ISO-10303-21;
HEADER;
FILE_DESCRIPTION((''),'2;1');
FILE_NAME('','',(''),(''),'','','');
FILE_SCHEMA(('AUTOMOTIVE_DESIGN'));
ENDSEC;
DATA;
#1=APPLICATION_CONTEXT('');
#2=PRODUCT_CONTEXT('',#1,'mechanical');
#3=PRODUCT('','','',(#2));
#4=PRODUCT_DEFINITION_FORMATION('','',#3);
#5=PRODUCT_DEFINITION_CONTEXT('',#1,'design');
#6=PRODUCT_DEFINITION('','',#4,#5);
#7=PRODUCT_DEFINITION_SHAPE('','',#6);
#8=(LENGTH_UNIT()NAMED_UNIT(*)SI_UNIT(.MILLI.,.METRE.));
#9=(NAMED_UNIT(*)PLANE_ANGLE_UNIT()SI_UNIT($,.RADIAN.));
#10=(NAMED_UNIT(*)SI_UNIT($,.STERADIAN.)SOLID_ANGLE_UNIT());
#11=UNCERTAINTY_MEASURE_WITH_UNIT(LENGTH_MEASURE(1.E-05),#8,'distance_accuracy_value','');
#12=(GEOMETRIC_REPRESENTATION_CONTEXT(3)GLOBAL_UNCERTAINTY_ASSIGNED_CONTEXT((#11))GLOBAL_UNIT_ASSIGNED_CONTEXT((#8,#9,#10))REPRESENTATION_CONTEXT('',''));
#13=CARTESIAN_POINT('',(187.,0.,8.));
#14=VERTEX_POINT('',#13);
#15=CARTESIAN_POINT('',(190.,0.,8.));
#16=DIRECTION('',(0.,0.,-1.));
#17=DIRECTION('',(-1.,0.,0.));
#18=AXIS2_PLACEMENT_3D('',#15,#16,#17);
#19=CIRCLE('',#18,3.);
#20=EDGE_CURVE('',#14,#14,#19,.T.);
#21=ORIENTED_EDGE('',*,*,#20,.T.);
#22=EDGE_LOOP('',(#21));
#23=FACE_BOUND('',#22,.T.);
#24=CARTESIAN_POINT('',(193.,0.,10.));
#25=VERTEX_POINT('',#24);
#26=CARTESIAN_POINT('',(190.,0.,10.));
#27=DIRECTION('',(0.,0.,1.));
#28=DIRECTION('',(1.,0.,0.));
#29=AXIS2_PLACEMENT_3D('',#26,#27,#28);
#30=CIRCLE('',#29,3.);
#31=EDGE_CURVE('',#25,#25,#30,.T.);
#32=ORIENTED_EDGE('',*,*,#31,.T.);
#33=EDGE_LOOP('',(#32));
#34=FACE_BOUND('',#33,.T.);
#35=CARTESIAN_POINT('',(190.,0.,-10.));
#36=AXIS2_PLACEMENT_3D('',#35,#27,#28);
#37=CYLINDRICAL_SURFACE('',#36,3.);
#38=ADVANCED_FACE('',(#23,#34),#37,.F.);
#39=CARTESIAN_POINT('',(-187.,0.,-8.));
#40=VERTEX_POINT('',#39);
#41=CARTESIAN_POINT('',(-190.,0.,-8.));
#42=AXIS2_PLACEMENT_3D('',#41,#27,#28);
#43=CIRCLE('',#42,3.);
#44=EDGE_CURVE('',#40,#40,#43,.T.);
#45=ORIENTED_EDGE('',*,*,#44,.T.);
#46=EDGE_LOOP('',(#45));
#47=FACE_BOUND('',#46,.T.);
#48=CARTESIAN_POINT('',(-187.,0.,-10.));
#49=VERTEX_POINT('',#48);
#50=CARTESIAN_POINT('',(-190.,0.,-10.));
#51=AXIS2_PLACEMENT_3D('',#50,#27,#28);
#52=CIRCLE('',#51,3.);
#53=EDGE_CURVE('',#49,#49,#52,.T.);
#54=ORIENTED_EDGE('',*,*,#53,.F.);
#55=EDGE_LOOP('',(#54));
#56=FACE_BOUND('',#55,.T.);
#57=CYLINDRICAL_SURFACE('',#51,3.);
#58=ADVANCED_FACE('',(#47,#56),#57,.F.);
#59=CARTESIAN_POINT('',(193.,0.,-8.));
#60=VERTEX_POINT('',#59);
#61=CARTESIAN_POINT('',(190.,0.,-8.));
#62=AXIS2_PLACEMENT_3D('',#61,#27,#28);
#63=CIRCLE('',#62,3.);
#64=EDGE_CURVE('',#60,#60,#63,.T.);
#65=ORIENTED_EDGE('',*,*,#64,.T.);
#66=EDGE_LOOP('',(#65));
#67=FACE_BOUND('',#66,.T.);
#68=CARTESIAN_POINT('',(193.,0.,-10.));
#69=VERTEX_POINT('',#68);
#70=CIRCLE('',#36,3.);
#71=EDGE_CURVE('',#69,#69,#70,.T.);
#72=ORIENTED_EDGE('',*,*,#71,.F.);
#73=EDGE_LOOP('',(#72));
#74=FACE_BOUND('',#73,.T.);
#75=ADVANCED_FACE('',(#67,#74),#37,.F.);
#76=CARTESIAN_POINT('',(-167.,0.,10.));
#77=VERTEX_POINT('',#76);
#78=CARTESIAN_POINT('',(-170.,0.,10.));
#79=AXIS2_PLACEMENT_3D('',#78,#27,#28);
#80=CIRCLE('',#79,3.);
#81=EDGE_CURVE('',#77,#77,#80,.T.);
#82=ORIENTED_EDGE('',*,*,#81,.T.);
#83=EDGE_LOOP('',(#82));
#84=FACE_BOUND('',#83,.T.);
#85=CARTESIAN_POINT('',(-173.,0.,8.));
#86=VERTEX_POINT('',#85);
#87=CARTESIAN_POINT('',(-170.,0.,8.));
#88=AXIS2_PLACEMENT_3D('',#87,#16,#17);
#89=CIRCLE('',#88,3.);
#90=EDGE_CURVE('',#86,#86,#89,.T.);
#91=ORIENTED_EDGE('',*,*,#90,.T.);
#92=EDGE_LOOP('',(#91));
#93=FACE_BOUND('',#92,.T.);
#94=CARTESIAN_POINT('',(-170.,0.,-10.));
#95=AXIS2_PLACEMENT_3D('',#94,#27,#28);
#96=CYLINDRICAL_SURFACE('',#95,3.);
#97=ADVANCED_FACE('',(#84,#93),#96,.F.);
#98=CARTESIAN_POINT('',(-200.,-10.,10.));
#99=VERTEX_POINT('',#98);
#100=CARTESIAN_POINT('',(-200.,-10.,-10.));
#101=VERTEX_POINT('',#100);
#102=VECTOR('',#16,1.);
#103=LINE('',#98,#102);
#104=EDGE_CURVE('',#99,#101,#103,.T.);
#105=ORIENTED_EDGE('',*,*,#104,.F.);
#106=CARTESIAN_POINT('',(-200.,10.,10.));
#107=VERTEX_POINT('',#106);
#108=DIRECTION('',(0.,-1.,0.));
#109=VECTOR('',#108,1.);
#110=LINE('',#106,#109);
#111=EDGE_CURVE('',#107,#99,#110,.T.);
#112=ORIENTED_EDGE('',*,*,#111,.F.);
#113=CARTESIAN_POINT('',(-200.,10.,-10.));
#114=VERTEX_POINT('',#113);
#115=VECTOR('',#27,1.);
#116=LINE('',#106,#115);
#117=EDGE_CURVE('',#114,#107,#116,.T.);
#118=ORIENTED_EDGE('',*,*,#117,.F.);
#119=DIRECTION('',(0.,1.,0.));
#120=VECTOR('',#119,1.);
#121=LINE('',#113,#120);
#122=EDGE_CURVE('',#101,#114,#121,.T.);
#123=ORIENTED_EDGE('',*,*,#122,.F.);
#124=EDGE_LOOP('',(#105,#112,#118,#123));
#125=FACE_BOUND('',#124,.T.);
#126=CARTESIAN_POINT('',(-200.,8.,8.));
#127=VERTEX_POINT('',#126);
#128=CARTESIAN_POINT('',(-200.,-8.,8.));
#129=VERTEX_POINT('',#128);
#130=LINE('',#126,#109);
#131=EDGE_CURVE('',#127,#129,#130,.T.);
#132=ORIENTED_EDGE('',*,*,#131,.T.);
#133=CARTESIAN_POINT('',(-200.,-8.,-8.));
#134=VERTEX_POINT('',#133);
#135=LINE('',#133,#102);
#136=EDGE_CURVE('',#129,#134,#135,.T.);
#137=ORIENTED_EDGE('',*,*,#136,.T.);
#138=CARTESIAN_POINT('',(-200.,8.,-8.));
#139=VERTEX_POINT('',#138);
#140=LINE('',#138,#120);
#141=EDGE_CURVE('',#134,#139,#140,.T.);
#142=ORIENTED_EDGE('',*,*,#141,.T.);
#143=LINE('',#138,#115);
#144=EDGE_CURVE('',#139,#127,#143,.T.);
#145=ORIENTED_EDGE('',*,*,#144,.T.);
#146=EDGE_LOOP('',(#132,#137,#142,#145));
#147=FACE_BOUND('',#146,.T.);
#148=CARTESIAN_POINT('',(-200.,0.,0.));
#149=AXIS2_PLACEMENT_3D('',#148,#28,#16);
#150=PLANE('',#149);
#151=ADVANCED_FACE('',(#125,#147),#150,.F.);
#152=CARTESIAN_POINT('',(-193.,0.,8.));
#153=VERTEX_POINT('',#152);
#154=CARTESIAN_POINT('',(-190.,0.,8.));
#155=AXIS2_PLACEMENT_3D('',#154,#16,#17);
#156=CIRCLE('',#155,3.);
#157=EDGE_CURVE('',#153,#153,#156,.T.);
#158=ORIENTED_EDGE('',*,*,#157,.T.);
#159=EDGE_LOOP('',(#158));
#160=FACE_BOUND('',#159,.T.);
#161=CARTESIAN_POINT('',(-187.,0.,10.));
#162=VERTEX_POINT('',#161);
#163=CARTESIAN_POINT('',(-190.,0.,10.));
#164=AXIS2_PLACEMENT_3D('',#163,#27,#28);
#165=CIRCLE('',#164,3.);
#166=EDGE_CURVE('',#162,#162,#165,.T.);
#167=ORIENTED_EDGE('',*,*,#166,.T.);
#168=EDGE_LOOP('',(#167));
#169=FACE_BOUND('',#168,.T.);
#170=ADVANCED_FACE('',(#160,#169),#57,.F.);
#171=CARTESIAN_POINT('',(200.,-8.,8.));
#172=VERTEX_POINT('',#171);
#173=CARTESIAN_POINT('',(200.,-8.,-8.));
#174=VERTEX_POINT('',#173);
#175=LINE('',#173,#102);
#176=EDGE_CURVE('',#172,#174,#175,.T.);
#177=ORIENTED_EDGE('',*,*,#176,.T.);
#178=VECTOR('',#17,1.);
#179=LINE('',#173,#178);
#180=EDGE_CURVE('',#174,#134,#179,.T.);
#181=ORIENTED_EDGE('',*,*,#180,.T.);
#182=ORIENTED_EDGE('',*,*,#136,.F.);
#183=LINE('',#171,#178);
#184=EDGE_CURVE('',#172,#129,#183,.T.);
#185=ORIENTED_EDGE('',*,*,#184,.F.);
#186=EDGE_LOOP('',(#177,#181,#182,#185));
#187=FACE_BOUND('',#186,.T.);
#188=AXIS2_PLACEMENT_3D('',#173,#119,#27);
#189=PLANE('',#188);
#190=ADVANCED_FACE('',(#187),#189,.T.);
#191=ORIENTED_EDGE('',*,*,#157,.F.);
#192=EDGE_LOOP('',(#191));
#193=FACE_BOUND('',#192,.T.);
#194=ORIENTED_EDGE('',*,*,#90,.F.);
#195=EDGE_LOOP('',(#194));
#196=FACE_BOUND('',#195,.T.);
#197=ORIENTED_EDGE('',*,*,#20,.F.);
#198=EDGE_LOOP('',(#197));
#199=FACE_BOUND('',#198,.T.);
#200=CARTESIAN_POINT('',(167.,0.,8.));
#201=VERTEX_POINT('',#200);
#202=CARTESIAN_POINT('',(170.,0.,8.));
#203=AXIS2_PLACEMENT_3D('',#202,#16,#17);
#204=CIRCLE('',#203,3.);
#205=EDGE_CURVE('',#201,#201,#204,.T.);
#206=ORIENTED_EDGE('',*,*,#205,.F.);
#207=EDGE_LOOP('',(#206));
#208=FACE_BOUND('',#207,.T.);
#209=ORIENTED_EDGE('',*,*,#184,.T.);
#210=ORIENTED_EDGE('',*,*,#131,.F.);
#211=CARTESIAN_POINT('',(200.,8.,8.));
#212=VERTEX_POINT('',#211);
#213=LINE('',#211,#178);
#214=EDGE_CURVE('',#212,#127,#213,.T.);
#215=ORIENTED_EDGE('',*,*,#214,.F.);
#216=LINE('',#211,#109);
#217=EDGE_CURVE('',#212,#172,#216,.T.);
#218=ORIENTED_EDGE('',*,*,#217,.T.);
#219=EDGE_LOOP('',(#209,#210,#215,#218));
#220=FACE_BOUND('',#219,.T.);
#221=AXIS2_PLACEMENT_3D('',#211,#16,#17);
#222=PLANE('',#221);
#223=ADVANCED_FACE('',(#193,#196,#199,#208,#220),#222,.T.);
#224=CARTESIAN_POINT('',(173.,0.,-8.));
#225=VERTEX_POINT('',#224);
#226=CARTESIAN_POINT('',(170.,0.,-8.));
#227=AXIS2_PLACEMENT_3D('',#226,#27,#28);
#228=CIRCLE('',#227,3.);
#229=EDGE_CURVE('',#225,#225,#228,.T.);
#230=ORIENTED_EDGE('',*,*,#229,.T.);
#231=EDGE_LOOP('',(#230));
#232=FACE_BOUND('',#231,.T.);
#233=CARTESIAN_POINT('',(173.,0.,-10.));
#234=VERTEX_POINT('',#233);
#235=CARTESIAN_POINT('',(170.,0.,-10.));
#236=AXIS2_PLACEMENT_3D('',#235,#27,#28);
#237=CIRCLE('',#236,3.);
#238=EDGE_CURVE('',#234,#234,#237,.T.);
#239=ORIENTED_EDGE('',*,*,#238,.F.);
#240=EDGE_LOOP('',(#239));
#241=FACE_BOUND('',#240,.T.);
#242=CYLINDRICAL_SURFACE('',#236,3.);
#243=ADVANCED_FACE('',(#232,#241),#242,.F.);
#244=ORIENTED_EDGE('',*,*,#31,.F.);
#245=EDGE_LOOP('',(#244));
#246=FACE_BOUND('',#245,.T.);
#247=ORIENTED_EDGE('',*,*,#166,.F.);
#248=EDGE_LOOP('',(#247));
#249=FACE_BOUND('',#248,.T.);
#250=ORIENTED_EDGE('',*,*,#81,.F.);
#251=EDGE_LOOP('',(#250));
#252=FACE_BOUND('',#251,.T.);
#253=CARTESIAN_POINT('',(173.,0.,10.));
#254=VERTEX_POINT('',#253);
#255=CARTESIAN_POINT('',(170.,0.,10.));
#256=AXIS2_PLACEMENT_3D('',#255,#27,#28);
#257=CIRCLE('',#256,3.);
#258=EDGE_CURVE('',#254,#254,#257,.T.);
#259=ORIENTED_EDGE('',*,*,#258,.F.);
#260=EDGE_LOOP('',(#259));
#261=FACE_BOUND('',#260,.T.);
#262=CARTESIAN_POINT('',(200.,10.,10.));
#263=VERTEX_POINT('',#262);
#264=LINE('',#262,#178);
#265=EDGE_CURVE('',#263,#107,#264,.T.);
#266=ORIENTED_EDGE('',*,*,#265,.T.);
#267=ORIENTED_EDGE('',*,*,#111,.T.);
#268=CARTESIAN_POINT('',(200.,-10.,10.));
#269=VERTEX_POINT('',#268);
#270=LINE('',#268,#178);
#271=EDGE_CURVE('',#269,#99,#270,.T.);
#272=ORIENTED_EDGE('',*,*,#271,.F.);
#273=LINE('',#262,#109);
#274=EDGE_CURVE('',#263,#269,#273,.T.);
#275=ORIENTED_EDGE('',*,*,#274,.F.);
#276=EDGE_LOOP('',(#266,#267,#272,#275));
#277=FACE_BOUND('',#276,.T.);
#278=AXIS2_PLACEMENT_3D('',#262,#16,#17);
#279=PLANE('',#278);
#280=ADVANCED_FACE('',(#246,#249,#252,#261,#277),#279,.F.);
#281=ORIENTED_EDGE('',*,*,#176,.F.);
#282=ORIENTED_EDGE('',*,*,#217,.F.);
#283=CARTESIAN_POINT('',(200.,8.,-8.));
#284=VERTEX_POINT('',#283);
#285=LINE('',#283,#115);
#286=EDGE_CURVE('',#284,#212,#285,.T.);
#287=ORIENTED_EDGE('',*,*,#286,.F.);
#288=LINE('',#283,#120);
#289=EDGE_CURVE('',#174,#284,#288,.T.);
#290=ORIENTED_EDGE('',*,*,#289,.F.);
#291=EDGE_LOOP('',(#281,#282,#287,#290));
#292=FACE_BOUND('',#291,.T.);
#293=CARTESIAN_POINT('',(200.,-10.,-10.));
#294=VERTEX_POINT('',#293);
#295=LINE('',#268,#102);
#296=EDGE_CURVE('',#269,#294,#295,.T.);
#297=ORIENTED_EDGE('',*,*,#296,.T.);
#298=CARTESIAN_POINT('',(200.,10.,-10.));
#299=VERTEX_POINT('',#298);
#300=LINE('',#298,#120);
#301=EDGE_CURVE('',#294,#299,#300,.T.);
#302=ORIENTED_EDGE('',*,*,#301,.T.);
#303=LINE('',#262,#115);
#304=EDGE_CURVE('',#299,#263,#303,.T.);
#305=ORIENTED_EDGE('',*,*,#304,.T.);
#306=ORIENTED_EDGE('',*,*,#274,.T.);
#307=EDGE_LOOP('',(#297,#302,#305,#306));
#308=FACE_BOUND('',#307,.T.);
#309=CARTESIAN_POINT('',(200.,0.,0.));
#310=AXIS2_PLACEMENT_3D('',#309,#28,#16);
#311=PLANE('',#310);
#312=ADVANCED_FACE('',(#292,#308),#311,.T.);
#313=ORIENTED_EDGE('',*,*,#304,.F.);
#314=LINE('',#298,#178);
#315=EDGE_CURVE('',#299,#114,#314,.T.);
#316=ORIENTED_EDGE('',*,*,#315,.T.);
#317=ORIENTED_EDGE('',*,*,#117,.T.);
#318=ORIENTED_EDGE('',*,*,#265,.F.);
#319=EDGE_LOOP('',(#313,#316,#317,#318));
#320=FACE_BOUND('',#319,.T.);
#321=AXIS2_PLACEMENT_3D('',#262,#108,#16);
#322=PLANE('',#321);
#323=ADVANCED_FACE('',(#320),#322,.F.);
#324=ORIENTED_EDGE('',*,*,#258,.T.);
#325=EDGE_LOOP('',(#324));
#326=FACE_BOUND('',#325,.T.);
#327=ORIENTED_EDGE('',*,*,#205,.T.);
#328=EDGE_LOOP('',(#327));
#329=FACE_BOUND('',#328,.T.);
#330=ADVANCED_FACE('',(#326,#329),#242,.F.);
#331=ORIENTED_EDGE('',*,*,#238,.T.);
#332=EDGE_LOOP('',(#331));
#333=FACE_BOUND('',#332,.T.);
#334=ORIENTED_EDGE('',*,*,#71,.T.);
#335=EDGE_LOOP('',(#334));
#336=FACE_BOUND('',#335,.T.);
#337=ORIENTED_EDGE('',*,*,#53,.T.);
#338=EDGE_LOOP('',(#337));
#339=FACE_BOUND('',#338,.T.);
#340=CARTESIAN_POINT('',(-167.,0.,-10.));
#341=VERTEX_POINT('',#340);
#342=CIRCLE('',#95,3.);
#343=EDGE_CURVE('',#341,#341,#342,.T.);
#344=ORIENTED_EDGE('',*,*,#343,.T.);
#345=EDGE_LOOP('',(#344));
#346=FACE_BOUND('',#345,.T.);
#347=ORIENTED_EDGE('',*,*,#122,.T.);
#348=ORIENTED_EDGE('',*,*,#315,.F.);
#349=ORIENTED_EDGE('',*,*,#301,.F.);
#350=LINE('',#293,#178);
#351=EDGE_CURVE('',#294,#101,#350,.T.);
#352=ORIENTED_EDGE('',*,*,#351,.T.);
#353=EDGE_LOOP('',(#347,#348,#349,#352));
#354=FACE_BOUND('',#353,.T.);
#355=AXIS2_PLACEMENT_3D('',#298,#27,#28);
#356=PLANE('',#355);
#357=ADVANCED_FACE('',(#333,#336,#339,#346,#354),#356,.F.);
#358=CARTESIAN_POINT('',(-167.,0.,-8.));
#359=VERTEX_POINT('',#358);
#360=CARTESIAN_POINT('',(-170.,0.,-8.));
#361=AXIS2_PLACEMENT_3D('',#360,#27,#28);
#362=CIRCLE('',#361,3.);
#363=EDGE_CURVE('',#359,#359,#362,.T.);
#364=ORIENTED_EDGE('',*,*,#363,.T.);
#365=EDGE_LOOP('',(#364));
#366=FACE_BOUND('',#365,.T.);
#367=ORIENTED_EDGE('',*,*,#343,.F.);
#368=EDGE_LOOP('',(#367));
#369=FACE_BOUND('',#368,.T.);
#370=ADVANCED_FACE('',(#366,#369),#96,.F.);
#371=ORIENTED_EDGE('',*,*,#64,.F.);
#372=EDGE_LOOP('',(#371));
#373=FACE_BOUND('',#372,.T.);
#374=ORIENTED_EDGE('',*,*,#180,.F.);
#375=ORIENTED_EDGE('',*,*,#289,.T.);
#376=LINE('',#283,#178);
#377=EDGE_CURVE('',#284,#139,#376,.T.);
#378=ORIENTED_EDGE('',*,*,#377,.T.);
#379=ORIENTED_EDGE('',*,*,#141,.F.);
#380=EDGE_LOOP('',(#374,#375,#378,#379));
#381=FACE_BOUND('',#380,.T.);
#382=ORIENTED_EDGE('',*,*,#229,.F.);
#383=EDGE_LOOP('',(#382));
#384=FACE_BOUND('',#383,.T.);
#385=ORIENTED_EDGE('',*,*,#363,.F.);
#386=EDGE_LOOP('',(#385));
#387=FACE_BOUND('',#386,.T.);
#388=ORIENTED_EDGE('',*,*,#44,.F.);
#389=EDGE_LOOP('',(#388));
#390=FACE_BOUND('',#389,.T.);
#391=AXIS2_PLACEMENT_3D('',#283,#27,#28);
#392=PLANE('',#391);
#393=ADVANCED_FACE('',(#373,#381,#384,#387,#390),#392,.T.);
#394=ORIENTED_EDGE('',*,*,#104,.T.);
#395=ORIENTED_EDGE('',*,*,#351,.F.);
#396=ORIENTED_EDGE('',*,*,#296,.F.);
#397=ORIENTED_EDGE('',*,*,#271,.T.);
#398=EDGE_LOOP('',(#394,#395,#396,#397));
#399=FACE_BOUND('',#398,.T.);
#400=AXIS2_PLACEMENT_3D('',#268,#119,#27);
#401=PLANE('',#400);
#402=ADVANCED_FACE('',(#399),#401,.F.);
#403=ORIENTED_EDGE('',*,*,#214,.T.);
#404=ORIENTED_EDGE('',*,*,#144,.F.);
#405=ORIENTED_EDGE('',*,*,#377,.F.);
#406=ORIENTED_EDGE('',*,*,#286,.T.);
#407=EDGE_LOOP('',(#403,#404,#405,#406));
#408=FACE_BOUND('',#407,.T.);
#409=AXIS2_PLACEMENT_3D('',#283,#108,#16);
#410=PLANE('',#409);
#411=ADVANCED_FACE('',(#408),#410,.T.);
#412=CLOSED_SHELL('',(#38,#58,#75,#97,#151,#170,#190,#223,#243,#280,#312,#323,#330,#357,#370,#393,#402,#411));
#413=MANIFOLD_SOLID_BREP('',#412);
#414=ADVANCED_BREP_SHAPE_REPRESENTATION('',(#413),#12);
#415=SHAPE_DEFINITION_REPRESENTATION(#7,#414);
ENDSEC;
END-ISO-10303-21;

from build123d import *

# Parameters (mm, degrees)
SKETCH1_W           = 20
SKETCH1_H           = 20
SKETCH1_W_2         = 16
SKETCH1_H_2         = 16
BOSS_EXTRUDE1_DEPTH = 200
SKETCH2_R           = 3
CUT_EXTRUDE1_DEPTH  = 202.246117975


with BuildPart() as part:
    # Sketch1 → Boss-Extrude1 (new, symmetric)
    with BuildSketch(Plane(origin=(0, 0, 0), x_dir=(0, 0, -1), z_dir=(1, 0, 0))):
        Rectangle(SKETCH1_W, SKETCH1_H)
        Rectangle(SKETCH1_W_2, SKETCH1_H_2, mode=Mode.SUBTRACT)
    extrude(amount=BOSS_EXTRUDE1_DEPTH, both=True)

    # Sketch2 → Cut-Extrude1 (cut, through all)
    with BuildSketch(Plane.XY.offset(10)):
        with Locations((190, 0)):
            Circle(SKETCH2_R)
        with Locations((170, 0)):
            Circle(SKETCH2_R)
        with Locations((-170, 0)):
            Circle(SKETCH2_R)
        with Locations((-190, 0)):
            Circle(SKETCH2_R)
    extrude(amount=-CUT_EXTRUDE1_DEPTH, mode=Mode.SUBTRACT)


solid = part.part
